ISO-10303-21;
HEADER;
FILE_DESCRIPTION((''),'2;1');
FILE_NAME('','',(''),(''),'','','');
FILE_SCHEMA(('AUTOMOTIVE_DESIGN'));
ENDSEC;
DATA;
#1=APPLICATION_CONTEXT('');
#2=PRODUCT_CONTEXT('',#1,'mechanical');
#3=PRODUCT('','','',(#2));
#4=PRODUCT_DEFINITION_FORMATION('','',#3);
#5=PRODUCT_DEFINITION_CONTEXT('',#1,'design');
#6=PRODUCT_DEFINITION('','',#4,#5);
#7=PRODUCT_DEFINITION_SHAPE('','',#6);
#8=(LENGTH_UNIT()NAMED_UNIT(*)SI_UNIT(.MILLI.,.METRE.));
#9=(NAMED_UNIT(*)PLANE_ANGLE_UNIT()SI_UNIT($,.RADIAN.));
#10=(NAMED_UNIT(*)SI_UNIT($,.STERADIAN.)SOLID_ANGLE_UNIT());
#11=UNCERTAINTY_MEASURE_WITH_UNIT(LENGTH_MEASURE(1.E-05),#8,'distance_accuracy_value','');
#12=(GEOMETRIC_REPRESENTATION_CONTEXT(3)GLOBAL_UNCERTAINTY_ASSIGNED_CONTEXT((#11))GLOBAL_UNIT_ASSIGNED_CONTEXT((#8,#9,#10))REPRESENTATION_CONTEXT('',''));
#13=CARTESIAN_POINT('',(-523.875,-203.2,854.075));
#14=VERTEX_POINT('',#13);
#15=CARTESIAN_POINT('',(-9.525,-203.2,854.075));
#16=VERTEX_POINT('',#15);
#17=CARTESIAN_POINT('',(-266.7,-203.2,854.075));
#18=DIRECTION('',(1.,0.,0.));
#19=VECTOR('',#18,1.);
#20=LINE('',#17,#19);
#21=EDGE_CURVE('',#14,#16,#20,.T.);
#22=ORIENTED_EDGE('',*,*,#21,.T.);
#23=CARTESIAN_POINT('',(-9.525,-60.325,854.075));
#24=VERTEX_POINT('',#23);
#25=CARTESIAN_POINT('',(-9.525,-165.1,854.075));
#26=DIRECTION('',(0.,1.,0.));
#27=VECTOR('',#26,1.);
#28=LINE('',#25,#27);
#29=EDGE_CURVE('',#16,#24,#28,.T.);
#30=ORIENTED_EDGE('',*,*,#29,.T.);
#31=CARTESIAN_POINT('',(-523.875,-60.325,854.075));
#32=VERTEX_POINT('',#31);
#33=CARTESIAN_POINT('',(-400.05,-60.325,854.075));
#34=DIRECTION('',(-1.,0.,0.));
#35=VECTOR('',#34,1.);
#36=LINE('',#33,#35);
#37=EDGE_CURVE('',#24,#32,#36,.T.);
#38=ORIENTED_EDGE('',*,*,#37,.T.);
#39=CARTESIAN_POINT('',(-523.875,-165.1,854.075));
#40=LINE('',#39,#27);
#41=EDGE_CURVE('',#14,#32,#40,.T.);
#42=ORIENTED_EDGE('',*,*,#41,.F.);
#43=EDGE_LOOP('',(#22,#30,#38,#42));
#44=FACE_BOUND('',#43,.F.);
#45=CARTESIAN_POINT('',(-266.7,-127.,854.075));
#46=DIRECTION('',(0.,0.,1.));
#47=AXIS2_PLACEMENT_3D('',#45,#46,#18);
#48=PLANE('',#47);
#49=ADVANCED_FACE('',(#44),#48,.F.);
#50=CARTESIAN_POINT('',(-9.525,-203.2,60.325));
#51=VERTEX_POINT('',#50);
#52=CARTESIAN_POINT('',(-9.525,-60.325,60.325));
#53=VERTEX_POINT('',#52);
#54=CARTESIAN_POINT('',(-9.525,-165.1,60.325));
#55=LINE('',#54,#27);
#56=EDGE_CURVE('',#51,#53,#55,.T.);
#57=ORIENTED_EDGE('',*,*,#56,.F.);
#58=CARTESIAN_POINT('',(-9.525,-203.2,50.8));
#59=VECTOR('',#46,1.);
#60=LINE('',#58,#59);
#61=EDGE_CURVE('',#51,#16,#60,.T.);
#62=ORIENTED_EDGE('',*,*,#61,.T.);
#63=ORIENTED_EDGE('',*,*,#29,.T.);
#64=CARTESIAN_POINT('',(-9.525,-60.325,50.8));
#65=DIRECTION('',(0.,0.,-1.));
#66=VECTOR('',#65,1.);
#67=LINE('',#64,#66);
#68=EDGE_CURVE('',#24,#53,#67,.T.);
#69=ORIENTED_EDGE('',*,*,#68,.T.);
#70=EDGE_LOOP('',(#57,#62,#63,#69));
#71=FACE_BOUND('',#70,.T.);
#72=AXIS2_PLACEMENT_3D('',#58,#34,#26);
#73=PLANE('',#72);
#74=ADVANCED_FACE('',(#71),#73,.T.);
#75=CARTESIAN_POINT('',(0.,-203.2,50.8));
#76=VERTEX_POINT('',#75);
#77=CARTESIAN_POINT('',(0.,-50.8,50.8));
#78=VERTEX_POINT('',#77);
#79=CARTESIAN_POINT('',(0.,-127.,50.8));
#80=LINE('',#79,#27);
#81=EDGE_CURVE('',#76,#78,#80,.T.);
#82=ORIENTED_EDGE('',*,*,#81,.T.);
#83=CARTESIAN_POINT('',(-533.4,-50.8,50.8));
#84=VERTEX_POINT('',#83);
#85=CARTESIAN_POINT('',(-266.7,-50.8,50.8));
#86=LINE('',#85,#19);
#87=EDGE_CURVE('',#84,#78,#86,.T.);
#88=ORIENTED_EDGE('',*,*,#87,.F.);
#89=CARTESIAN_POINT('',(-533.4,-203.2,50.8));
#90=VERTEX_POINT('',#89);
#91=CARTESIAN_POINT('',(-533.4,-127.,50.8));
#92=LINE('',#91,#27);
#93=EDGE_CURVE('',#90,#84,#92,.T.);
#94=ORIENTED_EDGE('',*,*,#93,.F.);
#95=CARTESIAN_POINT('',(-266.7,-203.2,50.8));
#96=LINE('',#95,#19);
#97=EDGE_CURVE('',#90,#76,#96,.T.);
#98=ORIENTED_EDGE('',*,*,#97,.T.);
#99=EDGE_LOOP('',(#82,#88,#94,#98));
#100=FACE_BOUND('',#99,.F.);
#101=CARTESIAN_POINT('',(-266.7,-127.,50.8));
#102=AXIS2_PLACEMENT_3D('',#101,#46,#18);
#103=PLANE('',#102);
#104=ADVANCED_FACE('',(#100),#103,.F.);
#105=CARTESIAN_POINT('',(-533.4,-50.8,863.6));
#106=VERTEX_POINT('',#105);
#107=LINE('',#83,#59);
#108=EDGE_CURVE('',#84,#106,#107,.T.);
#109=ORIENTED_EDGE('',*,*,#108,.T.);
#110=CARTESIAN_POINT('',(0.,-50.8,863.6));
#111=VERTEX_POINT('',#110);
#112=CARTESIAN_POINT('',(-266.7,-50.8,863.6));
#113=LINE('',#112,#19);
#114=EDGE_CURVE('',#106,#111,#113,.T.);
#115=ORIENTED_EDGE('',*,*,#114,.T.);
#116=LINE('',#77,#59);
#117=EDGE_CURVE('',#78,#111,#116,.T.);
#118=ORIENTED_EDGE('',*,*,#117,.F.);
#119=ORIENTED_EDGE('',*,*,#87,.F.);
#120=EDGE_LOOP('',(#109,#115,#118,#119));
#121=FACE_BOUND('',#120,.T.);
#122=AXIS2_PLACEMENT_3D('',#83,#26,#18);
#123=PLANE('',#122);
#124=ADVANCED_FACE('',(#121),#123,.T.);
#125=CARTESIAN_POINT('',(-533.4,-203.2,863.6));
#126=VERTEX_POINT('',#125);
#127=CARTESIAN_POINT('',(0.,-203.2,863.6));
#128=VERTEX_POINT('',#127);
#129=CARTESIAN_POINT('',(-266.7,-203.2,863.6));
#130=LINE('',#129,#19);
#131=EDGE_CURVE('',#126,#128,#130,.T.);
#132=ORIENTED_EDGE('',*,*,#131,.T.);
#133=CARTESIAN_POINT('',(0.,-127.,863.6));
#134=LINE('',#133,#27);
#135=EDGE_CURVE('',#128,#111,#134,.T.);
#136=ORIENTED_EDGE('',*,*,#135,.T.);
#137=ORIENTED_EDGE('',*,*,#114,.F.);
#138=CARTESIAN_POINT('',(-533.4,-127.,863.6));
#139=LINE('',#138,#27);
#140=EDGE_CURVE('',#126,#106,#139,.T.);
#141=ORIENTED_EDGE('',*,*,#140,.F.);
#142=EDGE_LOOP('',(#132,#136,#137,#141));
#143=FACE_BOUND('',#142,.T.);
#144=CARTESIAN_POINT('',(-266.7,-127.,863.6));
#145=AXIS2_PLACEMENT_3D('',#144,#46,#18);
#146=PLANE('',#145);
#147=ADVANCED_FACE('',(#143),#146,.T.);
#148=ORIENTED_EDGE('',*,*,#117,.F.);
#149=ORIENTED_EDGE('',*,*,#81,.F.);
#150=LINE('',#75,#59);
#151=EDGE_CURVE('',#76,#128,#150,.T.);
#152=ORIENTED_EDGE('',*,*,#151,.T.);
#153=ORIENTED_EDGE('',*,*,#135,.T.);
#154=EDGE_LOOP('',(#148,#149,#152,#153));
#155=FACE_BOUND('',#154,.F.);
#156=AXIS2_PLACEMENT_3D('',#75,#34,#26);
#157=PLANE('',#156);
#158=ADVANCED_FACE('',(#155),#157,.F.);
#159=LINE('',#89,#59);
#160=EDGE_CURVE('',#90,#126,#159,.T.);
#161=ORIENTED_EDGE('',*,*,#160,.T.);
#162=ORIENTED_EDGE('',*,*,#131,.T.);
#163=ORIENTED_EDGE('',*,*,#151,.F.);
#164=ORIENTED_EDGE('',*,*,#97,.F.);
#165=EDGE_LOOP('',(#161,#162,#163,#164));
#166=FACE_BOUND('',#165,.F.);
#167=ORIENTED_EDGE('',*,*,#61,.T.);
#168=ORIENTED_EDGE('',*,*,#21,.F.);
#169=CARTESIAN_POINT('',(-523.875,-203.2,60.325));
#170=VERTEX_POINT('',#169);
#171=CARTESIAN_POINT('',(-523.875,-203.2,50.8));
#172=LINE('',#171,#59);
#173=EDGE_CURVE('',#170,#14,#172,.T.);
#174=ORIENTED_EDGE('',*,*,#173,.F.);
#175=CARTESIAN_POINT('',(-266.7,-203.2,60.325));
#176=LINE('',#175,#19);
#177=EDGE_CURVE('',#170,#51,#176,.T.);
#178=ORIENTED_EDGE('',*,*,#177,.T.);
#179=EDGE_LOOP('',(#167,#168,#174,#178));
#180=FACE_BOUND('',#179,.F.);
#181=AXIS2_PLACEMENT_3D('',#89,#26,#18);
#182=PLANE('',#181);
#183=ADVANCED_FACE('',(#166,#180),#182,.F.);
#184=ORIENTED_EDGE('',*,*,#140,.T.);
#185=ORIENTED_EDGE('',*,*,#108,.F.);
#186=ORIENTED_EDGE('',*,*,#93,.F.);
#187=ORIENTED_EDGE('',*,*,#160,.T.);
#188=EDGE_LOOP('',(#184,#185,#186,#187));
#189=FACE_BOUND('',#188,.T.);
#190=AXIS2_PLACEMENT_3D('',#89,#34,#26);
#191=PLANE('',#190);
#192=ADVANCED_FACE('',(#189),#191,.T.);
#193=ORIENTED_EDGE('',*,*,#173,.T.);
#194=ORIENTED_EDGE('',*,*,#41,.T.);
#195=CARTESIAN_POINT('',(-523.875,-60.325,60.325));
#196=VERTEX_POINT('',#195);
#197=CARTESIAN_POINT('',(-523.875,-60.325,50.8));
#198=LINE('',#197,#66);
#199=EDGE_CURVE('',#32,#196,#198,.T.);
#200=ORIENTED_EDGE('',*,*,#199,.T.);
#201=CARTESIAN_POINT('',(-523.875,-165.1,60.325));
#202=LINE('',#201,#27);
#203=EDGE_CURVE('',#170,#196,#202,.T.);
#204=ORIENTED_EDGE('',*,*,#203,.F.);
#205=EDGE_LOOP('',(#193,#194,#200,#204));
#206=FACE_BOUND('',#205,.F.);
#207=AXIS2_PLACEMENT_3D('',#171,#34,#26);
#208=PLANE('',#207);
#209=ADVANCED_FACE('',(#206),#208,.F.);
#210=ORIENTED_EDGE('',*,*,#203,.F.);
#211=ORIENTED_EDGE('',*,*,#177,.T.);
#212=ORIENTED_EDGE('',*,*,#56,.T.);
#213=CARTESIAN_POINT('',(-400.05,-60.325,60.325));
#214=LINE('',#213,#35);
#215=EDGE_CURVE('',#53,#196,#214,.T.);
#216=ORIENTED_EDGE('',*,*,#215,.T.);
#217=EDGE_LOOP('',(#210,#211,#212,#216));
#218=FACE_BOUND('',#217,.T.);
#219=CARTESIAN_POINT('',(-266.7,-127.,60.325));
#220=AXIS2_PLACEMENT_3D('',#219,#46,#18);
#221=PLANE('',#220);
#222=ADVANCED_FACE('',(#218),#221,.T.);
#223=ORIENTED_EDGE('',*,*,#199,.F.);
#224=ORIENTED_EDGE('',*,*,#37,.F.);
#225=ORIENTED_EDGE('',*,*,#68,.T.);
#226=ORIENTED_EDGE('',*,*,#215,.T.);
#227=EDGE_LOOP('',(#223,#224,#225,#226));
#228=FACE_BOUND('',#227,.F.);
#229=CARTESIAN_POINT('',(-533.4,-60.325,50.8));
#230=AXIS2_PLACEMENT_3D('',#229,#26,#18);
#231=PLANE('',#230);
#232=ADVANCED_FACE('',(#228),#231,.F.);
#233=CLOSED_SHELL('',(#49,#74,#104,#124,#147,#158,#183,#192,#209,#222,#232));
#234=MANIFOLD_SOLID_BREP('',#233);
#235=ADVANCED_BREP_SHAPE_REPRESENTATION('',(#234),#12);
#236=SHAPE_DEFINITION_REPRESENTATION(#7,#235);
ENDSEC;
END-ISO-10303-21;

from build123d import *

# Parameters (mm, degrees)
F2_W     = 533.4
F2_H     = 152.4
F3_DEPTH = 812.8
F4_T     = -9.525


with BuildPart() as f3:
    # F2 (on offset) → F3 (new body)
    with BuildSketch(Plane.XY.offset(50.8)):
        with Locations((-266.7, -127)):
            Rectangle(F2_W, F2_H)
    extrude(amount=F3_DEPTH)

    # F4
    f4_openings = [f3.faces().sort_by_distance(p)[0] for p in [
        (-266.7, -203.2, 457.2),
    ]]
    offset(amount=F4_T, openings=f4_openings)


solid = f3.part
